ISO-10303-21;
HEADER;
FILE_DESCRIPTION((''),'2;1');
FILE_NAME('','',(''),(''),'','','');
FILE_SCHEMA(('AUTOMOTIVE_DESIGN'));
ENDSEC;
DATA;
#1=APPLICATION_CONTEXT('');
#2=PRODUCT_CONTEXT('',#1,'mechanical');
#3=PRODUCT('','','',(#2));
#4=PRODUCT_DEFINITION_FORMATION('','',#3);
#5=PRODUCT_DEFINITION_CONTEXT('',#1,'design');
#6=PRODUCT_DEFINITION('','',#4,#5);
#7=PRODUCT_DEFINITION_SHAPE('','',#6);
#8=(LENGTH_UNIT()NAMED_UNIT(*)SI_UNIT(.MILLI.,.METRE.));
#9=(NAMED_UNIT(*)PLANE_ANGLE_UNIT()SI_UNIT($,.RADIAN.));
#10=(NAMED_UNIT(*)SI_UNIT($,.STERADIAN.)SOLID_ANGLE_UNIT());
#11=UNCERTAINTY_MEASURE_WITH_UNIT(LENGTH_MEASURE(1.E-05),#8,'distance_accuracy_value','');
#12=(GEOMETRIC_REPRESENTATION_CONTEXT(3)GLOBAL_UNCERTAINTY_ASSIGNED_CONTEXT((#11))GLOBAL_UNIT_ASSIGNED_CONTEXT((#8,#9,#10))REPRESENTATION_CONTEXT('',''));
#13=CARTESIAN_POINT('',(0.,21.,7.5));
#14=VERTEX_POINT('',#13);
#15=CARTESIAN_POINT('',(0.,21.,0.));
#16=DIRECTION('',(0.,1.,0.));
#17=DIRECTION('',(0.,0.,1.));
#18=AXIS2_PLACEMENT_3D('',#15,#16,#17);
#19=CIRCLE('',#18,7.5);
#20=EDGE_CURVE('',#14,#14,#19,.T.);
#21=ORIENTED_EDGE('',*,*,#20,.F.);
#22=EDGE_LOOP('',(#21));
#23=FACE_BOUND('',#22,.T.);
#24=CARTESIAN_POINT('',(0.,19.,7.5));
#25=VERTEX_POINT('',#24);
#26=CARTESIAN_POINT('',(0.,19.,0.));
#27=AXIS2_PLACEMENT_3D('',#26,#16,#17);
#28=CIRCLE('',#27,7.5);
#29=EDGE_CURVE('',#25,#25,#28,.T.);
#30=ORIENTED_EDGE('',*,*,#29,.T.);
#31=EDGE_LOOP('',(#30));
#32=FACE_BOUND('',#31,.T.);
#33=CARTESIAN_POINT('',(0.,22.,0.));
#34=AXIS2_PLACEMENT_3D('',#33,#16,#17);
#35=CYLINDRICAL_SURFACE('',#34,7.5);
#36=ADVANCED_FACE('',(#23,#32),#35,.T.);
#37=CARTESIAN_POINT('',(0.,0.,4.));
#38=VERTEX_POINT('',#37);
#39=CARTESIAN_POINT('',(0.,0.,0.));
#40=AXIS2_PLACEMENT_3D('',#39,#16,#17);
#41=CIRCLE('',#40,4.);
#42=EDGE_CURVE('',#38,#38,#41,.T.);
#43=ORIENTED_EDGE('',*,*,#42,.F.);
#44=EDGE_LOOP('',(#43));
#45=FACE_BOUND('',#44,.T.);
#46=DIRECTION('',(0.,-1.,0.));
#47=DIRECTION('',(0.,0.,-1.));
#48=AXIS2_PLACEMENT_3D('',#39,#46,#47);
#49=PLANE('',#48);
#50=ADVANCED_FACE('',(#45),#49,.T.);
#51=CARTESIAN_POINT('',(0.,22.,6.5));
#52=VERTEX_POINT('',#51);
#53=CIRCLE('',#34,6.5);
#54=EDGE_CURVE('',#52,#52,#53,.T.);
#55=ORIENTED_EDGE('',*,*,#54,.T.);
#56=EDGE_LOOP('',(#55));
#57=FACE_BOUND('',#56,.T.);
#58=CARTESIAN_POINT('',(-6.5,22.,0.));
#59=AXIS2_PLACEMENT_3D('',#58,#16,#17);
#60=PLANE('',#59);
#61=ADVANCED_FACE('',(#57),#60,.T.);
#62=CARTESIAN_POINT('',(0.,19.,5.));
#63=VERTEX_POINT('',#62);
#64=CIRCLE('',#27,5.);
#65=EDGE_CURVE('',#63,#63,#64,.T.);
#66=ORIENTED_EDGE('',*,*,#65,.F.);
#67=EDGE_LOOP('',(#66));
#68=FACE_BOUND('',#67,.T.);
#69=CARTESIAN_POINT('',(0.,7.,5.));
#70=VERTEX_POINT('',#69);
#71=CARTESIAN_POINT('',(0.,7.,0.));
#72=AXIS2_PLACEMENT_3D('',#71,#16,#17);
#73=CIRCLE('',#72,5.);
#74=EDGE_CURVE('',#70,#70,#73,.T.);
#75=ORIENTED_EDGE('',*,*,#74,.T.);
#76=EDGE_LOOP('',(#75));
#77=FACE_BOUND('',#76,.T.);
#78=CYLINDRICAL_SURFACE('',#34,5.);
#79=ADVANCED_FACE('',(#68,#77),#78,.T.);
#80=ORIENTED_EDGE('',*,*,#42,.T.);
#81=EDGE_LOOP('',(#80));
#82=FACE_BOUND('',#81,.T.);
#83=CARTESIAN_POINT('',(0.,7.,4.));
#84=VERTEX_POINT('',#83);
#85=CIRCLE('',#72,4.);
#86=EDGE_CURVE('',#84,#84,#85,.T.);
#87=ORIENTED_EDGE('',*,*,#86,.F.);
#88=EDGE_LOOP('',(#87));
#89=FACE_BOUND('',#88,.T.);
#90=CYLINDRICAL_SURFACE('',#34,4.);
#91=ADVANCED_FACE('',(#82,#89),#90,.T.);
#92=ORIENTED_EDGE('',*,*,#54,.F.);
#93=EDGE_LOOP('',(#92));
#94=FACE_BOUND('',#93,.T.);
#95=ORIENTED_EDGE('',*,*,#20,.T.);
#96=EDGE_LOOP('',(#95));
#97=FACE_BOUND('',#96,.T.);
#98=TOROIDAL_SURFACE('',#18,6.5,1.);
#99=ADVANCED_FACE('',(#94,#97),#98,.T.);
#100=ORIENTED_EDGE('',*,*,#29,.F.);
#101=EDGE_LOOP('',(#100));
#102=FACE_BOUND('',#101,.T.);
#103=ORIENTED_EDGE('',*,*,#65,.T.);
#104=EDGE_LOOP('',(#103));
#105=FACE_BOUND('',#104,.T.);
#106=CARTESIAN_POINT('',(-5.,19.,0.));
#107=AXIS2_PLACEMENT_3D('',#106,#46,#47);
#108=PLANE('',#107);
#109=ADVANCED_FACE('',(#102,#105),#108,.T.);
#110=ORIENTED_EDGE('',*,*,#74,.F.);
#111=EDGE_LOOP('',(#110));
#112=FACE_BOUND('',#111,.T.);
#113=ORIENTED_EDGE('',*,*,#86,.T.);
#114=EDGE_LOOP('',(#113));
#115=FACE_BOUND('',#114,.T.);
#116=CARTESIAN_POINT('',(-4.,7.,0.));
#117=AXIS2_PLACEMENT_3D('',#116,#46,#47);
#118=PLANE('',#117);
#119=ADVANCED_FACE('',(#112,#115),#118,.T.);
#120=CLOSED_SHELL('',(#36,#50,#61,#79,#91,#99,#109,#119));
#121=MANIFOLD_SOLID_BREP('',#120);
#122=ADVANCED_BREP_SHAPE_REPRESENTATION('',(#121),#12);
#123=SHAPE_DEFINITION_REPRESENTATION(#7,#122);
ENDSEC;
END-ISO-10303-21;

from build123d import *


with BuildPart() as part:
    # Sketch1 → Revolve1 (revolve)
    with BuildSketch(Plane.XY, mode=Mode.PRIVATE) as revolve1_sk:
        with BuildLine():
            Line((0, 0), (-4, 0))
            Line((-4, 0), (-4, 7))
            Line((-4, 7), (-5, 7))
            Line((-5, 7), (-5, 19))
            Line((-5, 19), (-7.5, 19))
            Line((-7.5, 19), (-7.5, 21))
            ThreePointArc((-7.5, 21), (-7.207106781, 21.707106781), (-6.5, 22))
            Line((-6.5, 22), (0, 22))
            Line((0, 22), (0, 0))
        make_face()
    revolve(revolve1_sk.sketch.rotate(Axis((0, 22, 0), (0, -1, 0)), 270), axis=Axis((0, 22, 0), (0, -1, 0)))


solid = part.part
